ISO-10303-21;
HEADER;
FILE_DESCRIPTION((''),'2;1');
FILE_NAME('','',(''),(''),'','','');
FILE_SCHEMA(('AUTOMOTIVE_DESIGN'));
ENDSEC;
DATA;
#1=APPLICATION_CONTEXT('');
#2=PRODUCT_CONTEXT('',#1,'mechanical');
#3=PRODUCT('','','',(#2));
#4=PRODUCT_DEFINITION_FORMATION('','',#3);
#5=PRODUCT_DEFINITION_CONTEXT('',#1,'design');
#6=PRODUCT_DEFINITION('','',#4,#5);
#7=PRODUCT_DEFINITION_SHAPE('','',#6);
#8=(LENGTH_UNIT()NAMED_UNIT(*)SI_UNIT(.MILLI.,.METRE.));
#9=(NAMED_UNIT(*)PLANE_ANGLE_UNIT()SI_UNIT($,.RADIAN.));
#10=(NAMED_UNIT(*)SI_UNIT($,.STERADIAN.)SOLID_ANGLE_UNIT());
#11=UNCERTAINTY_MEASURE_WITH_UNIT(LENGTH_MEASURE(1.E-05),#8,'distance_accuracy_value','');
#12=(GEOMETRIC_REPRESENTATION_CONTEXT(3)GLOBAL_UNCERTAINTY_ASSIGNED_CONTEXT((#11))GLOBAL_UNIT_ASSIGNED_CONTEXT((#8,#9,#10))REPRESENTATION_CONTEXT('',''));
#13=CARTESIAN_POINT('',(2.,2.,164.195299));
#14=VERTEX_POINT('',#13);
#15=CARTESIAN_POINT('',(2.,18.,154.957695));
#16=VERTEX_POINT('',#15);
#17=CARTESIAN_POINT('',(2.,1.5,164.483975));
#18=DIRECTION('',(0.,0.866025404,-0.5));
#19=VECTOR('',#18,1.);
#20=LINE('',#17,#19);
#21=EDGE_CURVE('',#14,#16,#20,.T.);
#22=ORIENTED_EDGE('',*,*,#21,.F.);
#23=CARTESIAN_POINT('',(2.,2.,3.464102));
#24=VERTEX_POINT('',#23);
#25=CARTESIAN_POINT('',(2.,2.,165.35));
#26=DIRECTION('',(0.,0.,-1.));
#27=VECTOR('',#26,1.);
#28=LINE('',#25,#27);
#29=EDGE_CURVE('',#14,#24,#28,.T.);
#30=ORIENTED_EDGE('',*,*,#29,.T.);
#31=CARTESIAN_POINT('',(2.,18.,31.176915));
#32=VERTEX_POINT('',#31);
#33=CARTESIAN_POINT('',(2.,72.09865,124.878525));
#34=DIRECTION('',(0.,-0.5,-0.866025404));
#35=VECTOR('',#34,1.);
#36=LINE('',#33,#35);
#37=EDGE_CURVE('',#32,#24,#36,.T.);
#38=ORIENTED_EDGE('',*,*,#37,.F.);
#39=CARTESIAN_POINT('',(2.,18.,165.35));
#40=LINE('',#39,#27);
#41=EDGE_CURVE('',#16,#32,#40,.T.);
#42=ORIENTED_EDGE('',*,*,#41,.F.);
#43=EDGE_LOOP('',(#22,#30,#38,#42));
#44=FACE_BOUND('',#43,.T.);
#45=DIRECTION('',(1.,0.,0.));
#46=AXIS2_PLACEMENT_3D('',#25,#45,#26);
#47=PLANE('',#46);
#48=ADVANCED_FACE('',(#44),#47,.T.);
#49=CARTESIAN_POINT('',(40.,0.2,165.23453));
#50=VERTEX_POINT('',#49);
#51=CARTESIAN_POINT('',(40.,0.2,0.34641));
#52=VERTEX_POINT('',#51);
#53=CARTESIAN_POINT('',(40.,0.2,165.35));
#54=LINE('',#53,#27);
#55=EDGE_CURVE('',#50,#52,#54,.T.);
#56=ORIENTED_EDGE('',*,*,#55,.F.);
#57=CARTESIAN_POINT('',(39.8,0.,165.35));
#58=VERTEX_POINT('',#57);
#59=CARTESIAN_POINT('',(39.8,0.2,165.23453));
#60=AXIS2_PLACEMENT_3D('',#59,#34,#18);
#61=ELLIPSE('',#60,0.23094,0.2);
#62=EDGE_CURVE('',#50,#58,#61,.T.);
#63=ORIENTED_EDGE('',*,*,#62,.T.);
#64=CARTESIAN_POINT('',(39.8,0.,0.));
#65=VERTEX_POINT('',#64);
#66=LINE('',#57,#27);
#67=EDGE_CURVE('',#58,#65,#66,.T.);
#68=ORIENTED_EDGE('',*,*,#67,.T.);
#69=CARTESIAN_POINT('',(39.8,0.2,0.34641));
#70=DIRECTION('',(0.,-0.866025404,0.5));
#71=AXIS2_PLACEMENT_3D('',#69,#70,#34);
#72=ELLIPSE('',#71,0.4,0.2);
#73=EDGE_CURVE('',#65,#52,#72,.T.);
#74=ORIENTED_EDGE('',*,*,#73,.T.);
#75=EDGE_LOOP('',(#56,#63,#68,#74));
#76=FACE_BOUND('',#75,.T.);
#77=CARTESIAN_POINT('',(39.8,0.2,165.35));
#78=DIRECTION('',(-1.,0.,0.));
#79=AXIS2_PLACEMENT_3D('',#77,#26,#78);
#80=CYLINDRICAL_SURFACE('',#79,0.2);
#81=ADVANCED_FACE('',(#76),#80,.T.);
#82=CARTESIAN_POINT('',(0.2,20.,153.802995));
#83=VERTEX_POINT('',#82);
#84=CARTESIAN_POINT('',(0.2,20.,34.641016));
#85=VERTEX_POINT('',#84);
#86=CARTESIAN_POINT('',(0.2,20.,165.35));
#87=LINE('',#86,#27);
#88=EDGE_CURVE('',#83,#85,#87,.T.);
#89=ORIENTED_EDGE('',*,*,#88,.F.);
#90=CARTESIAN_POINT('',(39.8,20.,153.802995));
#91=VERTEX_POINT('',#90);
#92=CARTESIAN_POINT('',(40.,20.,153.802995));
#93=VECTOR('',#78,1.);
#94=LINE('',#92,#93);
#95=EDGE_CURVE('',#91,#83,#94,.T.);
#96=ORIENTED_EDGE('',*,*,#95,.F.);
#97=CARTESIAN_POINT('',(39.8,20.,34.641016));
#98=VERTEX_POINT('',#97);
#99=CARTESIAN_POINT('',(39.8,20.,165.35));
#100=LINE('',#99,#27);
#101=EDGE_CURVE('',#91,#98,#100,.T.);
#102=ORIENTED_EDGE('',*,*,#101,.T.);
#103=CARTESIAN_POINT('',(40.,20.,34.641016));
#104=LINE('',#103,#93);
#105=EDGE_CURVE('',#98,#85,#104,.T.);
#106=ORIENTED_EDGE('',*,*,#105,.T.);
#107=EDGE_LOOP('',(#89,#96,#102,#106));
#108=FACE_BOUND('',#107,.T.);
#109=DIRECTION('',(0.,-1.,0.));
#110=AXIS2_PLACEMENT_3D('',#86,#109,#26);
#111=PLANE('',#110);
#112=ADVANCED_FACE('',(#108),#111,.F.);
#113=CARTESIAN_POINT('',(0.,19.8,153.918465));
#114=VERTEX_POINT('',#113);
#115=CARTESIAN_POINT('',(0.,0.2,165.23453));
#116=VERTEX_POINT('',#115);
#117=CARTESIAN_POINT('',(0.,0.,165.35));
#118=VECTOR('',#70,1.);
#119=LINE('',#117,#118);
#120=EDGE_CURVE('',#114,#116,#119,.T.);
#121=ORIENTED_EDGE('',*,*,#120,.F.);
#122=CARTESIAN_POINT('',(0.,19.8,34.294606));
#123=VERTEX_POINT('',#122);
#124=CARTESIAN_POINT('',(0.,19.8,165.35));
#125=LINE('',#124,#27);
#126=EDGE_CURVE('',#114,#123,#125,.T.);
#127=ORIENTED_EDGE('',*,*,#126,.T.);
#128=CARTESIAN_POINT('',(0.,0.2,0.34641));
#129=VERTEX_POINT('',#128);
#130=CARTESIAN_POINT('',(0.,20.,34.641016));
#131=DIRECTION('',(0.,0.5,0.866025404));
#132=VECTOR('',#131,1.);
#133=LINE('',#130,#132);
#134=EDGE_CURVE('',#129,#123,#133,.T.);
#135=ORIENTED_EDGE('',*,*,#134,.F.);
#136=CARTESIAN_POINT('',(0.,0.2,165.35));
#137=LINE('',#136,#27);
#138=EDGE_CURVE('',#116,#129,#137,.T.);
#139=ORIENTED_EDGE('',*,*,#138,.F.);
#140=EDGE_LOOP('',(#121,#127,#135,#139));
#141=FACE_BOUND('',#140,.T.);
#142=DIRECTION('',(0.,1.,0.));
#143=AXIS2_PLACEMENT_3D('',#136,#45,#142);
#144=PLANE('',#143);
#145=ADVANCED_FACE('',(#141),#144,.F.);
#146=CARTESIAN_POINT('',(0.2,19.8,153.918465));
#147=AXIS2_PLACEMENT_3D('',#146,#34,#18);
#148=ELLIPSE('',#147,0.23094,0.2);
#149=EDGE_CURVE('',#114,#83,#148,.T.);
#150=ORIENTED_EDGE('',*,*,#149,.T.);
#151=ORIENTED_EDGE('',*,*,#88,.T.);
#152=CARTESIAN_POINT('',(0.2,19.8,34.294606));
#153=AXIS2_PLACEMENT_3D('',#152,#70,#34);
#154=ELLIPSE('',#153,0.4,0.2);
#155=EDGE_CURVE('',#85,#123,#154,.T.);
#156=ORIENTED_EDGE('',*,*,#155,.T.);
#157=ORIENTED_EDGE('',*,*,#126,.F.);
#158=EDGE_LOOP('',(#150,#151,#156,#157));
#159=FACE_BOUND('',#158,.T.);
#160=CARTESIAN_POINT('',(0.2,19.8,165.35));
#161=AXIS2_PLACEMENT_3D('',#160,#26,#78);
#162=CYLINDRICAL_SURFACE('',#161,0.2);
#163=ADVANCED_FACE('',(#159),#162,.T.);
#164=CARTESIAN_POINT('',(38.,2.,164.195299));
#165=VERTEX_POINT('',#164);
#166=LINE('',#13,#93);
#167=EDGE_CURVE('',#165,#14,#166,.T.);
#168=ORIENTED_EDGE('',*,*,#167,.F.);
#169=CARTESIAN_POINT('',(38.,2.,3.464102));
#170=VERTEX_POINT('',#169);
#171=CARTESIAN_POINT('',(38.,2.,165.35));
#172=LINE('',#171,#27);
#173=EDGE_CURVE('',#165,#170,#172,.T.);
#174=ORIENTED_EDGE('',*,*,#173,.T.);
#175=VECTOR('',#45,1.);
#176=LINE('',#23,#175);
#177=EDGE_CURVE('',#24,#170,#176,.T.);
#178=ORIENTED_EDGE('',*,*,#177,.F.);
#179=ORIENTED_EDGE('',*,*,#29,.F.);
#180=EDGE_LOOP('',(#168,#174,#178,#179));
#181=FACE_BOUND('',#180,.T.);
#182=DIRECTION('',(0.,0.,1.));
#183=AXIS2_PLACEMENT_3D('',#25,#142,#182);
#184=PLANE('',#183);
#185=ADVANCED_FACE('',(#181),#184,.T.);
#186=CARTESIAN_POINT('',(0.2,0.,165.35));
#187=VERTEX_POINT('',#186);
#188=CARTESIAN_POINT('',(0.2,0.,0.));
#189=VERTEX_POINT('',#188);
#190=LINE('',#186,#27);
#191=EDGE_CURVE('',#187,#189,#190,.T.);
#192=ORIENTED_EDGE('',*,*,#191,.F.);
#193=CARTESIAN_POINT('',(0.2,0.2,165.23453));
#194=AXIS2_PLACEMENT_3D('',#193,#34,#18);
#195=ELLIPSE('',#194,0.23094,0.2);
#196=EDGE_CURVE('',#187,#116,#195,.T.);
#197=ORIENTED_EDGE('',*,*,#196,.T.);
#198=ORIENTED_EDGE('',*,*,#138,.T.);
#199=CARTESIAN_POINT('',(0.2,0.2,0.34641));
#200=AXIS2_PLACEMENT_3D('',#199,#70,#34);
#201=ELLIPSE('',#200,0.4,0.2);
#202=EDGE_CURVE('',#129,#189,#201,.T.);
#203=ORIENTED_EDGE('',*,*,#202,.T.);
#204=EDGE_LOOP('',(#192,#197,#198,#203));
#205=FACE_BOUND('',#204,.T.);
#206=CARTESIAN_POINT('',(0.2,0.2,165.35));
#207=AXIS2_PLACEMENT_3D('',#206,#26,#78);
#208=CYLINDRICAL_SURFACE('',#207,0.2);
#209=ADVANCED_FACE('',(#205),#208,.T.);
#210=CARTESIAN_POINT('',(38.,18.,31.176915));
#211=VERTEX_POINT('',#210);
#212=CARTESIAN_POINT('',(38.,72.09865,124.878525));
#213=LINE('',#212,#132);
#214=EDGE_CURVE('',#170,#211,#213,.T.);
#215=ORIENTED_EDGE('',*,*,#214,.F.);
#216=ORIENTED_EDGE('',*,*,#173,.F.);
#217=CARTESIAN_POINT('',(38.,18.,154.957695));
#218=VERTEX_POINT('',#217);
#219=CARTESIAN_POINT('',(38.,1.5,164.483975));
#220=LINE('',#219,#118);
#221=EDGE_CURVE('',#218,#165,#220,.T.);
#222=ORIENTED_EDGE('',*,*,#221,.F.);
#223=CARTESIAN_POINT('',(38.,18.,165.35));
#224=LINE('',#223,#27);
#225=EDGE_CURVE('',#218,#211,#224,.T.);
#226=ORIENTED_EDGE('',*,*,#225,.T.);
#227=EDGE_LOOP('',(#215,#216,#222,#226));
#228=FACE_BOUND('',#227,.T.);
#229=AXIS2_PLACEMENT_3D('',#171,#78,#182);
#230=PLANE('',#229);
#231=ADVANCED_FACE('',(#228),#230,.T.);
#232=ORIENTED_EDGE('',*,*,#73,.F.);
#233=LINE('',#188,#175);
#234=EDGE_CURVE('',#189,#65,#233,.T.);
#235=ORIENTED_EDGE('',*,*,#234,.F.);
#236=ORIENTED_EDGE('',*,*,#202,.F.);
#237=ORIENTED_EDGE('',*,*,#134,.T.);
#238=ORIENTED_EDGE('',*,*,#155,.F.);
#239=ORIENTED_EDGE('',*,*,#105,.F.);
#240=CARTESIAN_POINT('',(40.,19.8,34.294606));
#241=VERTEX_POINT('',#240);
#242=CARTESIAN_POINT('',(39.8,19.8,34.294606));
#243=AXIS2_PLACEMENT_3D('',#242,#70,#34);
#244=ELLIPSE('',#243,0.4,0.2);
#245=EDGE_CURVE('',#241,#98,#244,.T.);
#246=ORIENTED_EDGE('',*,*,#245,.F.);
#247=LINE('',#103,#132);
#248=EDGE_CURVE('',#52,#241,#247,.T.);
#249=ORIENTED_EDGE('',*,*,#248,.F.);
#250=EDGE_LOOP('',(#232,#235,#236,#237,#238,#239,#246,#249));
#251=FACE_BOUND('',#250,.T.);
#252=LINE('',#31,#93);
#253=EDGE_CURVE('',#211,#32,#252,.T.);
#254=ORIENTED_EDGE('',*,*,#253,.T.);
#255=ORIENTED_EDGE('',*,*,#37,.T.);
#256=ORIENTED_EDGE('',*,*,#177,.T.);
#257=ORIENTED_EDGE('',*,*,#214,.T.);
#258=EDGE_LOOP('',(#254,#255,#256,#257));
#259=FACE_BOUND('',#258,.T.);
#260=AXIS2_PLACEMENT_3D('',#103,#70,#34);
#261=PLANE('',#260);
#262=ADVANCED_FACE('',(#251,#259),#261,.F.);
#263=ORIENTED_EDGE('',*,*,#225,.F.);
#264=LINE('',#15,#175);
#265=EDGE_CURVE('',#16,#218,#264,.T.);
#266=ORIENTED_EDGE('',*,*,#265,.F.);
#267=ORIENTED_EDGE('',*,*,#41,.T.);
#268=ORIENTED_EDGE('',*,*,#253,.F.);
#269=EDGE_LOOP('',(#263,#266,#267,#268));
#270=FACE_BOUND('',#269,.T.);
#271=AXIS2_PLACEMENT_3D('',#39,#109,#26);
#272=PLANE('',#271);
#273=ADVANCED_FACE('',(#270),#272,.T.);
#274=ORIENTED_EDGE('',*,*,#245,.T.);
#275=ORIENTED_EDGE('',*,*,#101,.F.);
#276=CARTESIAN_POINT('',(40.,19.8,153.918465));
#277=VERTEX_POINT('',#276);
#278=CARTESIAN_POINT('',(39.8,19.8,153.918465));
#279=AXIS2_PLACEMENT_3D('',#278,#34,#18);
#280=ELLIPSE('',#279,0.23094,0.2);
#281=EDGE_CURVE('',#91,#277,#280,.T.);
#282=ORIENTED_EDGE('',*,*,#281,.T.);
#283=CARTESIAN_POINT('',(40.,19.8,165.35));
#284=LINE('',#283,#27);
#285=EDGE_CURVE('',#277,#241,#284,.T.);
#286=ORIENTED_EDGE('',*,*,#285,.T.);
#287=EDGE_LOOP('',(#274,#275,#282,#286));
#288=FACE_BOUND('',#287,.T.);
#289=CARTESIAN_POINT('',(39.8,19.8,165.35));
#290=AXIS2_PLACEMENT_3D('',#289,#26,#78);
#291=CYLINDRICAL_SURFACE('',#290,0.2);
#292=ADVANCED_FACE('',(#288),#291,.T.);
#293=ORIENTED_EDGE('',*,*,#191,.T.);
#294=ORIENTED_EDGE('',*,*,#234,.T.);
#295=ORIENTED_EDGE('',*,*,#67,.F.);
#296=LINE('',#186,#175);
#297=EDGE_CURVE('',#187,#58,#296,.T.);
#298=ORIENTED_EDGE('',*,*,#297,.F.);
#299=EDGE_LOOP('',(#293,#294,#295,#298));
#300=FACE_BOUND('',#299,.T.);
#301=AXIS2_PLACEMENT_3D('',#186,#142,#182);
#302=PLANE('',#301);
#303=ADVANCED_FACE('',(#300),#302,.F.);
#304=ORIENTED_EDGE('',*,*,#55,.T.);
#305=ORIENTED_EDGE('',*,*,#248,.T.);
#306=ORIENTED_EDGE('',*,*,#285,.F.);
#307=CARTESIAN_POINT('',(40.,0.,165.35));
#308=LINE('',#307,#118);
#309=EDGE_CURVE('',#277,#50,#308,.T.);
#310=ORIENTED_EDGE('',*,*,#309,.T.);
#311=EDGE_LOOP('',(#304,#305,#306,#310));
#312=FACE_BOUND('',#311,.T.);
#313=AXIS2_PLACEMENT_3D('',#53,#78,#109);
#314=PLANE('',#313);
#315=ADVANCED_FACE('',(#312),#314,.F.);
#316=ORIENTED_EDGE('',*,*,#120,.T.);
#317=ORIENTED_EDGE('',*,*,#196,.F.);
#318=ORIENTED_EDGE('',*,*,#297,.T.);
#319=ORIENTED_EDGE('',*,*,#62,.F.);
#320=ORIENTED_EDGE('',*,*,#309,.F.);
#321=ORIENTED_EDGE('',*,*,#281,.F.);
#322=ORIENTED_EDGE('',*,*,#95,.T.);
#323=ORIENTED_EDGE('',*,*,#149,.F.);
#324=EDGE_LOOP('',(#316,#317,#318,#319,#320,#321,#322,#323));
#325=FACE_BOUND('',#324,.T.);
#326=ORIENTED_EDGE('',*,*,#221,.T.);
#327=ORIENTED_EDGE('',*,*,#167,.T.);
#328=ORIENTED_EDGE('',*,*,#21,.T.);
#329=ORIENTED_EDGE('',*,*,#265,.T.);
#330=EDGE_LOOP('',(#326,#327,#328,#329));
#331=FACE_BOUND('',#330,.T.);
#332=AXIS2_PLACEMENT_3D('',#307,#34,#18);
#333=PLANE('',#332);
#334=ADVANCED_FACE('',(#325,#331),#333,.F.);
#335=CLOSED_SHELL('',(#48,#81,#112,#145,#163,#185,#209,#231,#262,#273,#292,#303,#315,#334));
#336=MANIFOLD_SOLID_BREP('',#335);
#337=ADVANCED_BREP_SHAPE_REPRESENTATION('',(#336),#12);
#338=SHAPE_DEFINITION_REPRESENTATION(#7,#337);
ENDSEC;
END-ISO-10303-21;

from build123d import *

# Parameters (mm, degrees)
SKETCH1_W           = 36
SKETCH1_H           = 16
BOSS_EXTRUDE1_DEPTH = 165.35
SKEW_CUT_DEPTH      = 172.291046176


with BuildPart() as part:
    # Sketch1 → Boss-Extrude1 (new body)
    with BuildSketch(Plane.XY):
        with BuildLine():
            Line((0.2, 0), (39.8, 0))
            ThreePointArc((39.8, 0), (39.941421356, 0.058578644), (40, 0.2))
            Line((40, 0.2), (40, 19.8))
            ThreePointArc((40, 19.8), (39.941421356, 19.941421356), (39.8, 20))
            Line((39.8, 20), (0.2, 20))
            ThreePointArc((0.2, 20), (0.058578644, 19.941421356), (0, 19.8))
            Line((0, 19.8), (0, 0.2))
            ThreePointArc((0, 0.2), (0.058578644, 0.058578644), (0.2, 0))
        make_face()
        with Locations((20, 10)):
            Rectangle(SKETCH1_W, SKETCH1_H, mode=Mode.SUBTRACT)
    extrude(amount=BOSS_EXTRUDE1_DEPTH)

    # Sketch2 → Skew Cut (cut, through all)
    with BuildSketch(Plane.ZY):
        Polygon((0, 20), (34.641016151, 20), (0, 0), align=None)
        Polygon((165.35, 0), (153.802994616, 20), (165.35, 20), align=None)
    extrude(amount=-SKEW_CUT_DEPTH, mode=Mode.SUBTRACT)


solid = part.part
